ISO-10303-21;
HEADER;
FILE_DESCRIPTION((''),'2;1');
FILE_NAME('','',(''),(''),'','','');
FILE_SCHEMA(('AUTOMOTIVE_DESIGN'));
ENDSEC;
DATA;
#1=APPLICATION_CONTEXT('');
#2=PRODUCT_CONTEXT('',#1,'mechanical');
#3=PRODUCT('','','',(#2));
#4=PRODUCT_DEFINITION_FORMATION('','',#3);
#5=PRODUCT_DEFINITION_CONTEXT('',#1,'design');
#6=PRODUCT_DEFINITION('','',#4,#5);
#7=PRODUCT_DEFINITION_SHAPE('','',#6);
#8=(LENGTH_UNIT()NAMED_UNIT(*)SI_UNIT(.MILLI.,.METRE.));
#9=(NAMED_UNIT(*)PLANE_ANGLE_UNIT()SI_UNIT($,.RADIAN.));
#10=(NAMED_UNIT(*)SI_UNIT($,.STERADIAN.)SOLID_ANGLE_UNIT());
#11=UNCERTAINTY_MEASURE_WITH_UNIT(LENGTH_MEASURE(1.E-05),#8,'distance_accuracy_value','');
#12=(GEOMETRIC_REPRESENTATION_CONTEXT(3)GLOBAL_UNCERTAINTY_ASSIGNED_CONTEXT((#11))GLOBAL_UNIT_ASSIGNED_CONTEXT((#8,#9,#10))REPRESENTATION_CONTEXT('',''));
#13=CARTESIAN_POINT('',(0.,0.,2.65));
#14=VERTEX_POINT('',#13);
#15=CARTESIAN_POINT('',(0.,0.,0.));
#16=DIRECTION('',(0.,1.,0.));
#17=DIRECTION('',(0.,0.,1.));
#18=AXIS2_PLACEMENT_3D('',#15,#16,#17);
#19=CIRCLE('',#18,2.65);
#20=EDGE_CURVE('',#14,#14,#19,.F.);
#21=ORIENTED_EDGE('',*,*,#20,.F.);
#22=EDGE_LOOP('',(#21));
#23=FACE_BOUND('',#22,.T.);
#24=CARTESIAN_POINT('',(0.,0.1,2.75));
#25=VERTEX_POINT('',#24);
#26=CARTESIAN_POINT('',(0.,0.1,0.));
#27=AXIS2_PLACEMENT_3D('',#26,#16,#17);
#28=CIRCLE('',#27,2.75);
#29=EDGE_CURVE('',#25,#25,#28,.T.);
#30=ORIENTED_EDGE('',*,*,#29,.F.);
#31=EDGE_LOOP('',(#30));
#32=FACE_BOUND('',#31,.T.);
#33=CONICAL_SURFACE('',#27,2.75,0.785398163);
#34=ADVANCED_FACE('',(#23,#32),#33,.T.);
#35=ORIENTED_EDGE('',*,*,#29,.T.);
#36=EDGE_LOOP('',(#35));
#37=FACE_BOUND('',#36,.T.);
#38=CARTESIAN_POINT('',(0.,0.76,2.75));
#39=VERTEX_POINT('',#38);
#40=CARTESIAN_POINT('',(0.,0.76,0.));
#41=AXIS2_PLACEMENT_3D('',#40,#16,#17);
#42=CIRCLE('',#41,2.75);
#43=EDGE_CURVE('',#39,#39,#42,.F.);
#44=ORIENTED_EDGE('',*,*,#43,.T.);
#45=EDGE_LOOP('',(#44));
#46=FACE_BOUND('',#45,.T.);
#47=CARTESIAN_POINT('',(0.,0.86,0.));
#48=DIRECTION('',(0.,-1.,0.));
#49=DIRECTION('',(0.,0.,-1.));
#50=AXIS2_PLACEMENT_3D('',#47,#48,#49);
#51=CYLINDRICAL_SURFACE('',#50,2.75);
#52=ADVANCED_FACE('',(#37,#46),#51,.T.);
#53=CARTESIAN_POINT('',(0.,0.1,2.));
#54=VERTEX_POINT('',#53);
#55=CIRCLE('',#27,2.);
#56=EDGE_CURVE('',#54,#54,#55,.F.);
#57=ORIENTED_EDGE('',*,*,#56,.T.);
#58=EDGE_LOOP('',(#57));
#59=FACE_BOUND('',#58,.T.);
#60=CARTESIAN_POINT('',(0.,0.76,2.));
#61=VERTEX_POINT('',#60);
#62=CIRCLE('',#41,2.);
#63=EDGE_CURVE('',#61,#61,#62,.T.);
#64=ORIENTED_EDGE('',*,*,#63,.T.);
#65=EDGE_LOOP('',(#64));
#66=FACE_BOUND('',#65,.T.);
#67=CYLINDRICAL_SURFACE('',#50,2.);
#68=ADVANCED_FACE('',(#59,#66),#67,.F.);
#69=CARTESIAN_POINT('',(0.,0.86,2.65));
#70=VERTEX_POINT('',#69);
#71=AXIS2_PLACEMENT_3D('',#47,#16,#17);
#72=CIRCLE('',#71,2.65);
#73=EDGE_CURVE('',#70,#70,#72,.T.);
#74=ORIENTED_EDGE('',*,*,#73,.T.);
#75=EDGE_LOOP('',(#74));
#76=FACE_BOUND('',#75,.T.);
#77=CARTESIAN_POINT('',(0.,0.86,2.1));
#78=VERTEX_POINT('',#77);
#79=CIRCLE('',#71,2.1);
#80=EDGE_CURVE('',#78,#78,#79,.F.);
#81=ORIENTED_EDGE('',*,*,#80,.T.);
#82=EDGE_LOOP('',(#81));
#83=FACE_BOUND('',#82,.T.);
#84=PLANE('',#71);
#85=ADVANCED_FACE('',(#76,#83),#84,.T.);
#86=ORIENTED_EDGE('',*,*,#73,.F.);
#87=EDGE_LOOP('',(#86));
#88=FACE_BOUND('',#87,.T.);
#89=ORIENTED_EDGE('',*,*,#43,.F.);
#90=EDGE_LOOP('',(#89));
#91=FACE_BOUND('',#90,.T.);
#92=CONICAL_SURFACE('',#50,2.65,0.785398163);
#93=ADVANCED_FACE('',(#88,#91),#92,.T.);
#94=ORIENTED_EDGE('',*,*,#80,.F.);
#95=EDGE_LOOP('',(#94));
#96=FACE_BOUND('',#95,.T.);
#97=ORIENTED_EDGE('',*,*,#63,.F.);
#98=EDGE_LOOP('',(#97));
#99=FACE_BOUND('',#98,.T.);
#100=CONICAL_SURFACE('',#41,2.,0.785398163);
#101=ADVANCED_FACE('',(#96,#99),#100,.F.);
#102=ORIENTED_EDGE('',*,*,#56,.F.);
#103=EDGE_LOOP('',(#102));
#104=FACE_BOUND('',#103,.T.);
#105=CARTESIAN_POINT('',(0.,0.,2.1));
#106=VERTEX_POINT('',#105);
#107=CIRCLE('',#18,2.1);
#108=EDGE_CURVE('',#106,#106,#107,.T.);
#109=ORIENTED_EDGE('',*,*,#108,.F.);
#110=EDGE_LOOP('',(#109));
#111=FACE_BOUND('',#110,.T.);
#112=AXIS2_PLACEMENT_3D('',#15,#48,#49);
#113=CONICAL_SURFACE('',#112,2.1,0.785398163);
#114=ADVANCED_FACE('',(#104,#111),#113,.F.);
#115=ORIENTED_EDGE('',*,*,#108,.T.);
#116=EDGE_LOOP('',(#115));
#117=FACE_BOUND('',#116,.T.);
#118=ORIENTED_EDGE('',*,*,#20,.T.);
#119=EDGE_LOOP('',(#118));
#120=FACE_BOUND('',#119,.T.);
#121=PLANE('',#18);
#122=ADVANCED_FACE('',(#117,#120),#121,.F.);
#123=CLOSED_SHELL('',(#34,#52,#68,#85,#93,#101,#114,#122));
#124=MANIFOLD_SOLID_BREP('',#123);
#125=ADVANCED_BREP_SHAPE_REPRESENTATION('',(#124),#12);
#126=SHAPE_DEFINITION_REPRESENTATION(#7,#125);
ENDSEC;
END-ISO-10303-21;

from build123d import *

# Parameters (mm, degrees)
SKIZZE1_R                       = 2.75
SKIZZE1_R_2                     = 2
AUFSATZ_LINEAR_AUSTRAGEN1_DEPTH = 0.86
FASE1_SIZE                      = 0.1


with BuildPart() as part:
    # Skizze1 → Aufsatz-Linear austragen1 (new body)
    with BuildSketch(Plane(origin=(0, 0, 0), x_dir=(1, 0, 0), z_dir=(0, 1, 0))):
        Circle(SKIZZE1_R)
        Circle(SKIZZE1_R_2, mode=Mode.SUBTRACT)
    extrude(amount=AUFSATZ_LINEAR_AUSTRAGEN1_DEPTH)

    # Fase1
    fase1_edges = [part.edges().sort_by_distance(p)[0] for p in [
        (-2.75, 0, 0),
        (-2.75, 0.86, 0),
        (-2, 0, 0),
        (-2, 0.86, 0),
    ]]
    chamfer(fase1_edges, length=FASE1_SIZE)


solid = part.part
